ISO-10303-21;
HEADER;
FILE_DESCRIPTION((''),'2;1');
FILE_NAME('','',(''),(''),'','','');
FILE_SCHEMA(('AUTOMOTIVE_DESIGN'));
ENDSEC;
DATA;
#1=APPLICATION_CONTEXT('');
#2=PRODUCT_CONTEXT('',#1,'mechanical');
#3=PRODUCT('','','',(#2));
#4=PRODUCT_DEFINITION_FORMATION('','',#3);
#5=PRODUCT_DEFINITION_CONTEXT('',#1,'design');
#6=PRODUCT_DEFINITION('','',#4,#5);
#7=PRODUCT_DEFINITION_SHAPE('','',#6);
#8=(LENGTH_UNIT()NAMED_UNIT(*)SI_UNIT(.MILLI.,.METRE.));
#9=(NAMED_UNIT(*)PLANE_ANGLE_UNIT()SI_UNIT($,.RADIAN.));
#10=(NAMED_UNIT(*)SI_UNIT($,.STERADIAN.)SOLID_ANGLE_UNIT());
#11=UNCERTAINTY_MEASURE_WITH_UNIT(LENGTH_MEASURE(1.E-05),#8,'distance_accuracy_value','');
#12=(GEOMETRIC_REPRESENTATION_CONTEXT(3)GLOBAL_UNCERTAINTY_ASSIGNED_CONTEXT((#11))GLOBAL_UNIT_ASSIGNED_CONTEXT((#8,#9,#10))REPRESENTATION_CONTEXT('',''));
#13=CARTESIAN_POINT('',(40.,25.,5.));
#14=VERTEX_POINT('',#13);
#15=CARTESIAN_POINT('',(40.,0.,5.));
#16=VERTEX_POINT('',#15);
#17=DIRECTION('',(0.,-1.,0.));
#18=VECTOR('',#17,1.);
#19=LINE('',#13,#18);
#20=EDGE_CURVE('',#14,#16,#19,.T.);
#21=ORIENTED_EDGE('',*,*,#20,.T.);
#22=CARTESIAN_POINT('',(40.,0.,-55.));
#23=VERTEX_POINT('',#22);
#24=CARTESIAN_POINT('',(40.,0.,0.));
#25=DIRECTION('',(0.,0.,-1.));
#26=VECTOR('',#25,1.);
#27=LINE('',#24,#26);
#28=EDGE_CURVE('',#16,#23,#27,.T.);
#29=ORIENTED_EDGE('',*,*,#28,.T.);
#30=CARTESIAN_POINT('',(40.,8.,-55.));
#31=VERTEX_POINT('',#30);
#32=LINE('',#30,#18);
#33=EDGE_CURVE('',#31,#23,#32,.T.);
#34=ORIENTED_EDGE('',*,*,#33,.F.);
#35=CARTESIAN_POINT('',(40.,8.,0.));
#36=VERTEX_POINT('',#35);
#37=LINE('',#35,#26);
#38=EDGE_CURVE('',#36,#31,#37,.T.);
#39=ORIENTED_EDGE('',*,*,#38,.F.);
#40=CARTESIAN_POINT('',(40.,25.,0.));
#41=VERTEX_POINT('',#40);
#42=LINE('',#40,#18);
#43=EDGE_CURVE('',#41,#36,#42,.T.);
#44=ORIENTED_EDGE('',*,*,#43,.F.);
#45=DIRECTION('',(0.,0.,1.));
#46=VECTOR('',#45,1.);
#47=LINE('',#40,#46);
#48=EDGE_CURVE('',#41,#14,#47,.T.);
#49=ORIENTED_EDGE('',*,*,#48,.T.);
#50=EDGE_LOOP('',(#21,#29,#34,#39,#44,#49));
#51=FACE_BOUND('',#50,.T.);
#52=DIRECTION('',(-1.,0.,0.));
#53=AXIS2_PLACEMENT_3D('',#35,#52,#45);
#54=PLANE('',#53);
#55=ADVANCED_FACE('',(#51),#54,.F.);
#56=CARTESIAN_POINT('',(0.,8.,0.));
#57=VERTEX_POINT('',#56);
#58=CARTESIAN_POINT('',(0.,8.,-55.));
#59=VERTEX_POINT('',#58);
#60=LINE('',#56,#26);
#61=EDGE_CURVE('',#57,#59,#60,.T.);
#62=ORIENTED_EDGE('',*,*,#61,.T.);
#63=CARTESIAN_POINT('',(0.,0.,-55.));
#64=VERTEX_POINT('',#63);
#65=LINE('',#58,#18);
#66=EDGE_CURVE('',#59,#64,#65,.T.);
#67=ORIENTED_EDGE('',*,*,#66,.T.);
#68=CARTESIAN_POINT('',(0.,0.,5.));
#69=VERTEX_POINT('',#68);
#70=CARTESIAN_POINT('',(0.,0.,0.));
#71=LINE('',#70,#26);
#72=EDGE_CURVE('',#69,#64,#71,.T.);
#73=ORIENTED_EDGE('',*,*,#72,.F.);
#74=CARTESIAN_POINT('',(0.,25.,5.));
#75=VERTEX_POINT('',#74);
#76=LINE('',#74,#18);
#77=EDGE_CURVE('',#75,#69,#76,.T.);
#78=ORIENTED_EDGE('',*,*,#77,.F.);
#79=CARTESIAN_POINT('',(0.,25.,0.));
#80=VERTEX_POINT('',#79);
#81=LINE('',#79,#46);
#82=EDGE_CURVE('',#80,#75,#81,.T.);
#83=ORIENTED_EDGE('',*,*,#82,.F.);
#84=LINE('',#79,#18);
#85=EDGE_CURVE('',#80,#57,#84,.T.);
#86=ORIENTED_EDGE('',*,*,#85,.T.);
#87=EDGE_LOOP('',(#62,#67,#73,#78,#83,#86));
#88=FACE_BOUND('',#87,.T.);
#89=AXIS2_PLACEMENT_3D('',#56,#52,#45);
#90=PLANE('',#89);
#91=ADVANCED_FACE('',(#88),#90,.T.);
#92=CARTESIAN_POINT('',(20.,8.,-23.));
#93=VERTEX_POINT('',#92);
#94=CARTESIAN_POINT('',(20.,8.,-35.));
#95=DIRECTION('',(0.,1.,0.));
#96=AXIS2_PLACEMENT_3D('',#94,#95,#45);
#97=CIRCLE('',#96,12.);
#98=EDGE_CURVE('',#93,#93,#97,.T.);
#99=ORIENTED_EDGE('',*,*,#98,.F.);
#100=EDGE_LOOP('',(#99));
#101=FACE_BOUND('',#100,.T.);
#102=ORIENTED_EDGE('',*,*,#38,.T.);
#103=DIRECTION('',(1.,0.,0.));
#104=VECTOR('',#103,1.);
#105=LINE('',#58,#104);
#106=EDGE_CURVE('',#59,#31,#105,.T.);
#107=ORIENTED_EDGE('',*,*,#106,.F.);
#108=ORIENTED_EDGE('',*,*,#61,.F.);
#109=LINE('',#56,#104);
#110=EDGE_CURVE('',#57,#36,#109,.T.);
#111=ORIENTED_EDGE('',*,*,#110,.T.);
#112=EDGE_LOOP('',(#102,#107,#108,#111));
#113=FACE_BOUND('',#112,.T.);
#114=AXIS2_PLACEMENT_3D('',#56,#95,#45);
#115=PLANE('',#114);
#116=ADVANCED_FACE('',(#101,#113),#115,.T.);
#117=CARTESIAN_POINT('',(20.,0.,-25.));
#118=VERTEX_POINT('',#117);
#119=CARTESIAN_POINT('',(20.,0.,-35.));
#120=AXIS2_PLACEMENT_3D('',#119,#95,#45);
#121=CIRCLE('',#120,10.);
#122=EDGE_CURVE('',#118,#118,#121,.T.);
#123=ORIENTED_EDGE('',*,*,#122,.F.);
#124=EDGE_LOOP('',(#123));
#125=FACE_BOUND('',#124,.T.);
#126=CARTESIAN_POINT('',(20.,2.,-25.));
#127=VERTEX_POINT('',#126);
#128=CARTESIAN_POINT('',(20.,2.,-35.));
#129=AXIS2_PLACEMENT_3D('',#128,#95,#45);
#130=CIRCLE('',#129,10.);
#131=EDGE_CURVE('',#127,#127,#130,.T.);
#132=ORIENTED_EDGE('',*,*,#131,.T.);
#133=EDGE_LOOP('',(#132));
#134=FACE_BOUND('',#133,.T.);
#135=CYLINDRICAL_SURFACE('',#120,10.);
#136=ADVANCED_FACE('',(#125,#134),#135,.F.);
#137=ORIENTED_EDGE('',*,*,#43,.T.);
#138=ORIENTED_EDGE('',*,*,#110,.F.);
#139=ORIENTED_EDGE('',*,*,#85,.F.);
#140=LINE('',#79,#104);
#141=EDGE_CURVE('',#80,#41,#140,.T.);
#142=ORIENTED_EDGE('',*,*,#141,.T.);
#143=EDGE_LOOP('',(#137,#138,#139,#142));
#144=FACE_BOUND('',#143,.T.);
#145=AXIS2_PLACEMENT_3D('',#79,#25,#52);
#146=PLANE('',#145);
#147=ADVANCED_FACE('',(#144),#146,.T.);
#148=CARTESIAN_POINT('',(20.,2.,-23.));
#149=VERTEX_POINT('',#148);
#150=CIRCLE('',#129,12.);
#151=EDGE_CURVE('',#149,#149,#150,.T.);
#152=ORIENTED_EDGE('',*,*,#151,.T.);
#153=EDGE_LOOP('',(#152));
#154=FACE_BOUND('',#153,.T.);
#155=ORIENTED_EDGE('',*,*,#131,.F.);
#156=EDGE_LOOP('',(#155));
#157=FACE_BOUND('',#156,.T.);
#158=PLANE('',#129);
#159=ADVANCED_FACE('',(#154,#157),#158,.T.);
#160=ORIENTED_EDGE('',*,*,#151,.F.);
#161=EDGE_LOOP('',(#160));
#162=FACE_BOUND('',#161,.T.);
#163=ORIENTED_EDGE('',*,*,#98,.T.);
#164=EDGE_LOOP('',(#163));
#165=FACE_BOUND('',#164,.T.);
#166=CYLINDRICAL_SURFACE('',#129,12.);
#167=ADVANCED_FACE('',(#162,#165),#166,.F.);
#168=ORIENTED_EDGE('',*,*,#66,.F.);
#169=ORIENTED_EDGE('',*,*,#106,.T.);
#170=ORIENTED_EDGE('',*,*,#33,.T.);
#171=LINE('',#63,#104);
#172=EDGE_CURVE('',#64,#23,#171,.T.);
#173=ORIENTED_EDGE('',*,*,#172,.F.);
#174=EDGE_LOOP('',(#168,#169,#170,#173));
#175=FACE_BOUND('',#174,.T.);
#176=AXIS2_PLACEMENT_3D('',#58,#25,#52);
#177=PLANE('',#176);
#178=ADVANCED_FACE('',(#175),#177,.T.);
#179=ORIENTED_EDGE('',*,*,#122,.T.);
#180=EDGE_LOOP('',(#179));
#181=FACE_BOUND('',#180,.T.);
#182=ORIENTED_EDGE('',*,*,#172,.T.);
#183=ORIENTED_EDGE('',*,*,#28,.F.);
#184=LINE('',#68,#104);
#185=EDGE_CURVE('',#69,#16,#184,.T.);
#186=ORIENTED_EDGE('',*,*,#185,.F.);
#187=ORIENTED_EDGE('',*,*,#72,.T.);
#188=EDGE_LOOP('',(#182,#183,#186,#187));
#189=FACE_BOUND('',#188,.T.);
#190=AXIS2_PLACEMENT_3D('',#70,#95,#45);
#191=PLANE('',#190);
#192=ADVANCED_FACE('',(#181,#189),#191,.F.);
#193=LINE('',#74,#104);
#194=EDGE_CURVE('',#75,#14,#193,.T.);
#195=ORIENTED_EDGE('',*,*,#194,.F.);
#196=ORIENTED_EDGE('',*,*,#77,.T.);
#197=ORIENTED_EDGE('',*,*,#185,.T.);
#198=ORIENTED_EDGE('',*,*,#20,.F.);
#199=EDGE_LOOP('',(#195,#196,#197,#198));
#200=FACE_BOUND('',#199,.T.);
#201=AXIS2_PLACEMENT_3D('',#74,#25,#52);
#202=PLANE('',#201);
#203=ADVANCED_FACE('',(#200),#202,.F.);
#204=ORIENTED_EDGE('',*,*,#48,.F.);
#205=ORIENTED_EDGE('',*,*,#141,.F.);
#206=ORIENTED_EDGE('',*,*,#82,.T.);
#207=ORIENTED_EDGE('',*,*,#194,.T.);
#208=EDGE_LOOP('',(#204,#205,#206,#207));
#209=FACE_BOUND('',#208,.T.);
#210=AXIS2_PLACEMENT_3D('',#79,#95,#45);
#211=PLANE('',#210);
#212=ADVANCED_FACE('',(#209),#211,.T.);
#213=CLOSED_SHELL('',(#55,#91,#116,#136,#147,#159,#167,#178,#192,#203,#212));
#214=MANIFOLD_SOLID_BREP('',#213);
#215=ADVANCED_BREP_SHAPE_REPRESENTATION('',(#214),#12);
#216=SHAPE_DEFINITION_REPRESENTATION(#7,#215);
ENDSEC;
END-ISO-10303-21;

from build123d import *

# Parameters (mm, degrees)
SKETCH1_W           = 40
SKETCH1_H           = 55
BOSS_EXTRUDE1_DEPTH = 8
SKETCH1_3_W         = 40
SKETCH1_3_H         = 5
BOSS_EXTRUDE2_DEPTH = 25
SKETCH2_R           = 12
CUT_EXTRUDE1_DEPTH  = 6
CUT_EXTRUDE2_START  = -6
SKETCH2_3_R         = 10
CUT_EXTRUDE2_DEPTH  = 2


with BuildPart() as part:
    # Sketch1 → Boss-Extrude1 (new body)
    with BuildSketch(Plane(origin=(0, 0, 0), x_dir=(1, 0, 0), z_dir=(0, 1, 0))):
        with Locations((20, 27.5)):
            Rectangle(SKETCH1_W, SKETCH1_H)
    extrude(amount=BOSS_EXTRUDE1_DEPTH)

    # Sketch1<3> → Boss-Extrude2 (add)
    with BuildSketch(Plane(origin=(0, 0, 0), x_dir=(1, 0, 0), z_dir=(0, 1, 0))):
        with Locations((20, -2.5)):
            Rectangle(SKETCH1_3_W, SKETCH1_3_H)
    extrude(amount=BOSS_EXTRUDE2_DEPTH)

    # Sketch2 → Cut-Extrude1 (cut)
    with BuildSketch(Plane(origin=(0, 8, 0), x_dir=(1, 0, 0), z_dir=(0, 1, 0))):
        with Locations((20, 35)):
            Circle(SKETCH2_R)
    extrude(amount=-CUT_EXTRUDE1_DEPTH, mode=Mode.SUBTRACT)

    # Sketch2<3> → Cut-Extrude2 (cut)
    with BuildSketch(Plane(origin=(0, 8, 0), x_dir=(1, 0, 0), z_dir=(0, 1, 0)).offset(CUT_EXTRUDE2_START)):
        with Locations((20, 35)):
            Circle(SKETCH2_3_R)
    extrude(amount=-CUT_EXTRUDE2_DEPTH, mode=Mode.SUBTRACT)


solid = part.part
